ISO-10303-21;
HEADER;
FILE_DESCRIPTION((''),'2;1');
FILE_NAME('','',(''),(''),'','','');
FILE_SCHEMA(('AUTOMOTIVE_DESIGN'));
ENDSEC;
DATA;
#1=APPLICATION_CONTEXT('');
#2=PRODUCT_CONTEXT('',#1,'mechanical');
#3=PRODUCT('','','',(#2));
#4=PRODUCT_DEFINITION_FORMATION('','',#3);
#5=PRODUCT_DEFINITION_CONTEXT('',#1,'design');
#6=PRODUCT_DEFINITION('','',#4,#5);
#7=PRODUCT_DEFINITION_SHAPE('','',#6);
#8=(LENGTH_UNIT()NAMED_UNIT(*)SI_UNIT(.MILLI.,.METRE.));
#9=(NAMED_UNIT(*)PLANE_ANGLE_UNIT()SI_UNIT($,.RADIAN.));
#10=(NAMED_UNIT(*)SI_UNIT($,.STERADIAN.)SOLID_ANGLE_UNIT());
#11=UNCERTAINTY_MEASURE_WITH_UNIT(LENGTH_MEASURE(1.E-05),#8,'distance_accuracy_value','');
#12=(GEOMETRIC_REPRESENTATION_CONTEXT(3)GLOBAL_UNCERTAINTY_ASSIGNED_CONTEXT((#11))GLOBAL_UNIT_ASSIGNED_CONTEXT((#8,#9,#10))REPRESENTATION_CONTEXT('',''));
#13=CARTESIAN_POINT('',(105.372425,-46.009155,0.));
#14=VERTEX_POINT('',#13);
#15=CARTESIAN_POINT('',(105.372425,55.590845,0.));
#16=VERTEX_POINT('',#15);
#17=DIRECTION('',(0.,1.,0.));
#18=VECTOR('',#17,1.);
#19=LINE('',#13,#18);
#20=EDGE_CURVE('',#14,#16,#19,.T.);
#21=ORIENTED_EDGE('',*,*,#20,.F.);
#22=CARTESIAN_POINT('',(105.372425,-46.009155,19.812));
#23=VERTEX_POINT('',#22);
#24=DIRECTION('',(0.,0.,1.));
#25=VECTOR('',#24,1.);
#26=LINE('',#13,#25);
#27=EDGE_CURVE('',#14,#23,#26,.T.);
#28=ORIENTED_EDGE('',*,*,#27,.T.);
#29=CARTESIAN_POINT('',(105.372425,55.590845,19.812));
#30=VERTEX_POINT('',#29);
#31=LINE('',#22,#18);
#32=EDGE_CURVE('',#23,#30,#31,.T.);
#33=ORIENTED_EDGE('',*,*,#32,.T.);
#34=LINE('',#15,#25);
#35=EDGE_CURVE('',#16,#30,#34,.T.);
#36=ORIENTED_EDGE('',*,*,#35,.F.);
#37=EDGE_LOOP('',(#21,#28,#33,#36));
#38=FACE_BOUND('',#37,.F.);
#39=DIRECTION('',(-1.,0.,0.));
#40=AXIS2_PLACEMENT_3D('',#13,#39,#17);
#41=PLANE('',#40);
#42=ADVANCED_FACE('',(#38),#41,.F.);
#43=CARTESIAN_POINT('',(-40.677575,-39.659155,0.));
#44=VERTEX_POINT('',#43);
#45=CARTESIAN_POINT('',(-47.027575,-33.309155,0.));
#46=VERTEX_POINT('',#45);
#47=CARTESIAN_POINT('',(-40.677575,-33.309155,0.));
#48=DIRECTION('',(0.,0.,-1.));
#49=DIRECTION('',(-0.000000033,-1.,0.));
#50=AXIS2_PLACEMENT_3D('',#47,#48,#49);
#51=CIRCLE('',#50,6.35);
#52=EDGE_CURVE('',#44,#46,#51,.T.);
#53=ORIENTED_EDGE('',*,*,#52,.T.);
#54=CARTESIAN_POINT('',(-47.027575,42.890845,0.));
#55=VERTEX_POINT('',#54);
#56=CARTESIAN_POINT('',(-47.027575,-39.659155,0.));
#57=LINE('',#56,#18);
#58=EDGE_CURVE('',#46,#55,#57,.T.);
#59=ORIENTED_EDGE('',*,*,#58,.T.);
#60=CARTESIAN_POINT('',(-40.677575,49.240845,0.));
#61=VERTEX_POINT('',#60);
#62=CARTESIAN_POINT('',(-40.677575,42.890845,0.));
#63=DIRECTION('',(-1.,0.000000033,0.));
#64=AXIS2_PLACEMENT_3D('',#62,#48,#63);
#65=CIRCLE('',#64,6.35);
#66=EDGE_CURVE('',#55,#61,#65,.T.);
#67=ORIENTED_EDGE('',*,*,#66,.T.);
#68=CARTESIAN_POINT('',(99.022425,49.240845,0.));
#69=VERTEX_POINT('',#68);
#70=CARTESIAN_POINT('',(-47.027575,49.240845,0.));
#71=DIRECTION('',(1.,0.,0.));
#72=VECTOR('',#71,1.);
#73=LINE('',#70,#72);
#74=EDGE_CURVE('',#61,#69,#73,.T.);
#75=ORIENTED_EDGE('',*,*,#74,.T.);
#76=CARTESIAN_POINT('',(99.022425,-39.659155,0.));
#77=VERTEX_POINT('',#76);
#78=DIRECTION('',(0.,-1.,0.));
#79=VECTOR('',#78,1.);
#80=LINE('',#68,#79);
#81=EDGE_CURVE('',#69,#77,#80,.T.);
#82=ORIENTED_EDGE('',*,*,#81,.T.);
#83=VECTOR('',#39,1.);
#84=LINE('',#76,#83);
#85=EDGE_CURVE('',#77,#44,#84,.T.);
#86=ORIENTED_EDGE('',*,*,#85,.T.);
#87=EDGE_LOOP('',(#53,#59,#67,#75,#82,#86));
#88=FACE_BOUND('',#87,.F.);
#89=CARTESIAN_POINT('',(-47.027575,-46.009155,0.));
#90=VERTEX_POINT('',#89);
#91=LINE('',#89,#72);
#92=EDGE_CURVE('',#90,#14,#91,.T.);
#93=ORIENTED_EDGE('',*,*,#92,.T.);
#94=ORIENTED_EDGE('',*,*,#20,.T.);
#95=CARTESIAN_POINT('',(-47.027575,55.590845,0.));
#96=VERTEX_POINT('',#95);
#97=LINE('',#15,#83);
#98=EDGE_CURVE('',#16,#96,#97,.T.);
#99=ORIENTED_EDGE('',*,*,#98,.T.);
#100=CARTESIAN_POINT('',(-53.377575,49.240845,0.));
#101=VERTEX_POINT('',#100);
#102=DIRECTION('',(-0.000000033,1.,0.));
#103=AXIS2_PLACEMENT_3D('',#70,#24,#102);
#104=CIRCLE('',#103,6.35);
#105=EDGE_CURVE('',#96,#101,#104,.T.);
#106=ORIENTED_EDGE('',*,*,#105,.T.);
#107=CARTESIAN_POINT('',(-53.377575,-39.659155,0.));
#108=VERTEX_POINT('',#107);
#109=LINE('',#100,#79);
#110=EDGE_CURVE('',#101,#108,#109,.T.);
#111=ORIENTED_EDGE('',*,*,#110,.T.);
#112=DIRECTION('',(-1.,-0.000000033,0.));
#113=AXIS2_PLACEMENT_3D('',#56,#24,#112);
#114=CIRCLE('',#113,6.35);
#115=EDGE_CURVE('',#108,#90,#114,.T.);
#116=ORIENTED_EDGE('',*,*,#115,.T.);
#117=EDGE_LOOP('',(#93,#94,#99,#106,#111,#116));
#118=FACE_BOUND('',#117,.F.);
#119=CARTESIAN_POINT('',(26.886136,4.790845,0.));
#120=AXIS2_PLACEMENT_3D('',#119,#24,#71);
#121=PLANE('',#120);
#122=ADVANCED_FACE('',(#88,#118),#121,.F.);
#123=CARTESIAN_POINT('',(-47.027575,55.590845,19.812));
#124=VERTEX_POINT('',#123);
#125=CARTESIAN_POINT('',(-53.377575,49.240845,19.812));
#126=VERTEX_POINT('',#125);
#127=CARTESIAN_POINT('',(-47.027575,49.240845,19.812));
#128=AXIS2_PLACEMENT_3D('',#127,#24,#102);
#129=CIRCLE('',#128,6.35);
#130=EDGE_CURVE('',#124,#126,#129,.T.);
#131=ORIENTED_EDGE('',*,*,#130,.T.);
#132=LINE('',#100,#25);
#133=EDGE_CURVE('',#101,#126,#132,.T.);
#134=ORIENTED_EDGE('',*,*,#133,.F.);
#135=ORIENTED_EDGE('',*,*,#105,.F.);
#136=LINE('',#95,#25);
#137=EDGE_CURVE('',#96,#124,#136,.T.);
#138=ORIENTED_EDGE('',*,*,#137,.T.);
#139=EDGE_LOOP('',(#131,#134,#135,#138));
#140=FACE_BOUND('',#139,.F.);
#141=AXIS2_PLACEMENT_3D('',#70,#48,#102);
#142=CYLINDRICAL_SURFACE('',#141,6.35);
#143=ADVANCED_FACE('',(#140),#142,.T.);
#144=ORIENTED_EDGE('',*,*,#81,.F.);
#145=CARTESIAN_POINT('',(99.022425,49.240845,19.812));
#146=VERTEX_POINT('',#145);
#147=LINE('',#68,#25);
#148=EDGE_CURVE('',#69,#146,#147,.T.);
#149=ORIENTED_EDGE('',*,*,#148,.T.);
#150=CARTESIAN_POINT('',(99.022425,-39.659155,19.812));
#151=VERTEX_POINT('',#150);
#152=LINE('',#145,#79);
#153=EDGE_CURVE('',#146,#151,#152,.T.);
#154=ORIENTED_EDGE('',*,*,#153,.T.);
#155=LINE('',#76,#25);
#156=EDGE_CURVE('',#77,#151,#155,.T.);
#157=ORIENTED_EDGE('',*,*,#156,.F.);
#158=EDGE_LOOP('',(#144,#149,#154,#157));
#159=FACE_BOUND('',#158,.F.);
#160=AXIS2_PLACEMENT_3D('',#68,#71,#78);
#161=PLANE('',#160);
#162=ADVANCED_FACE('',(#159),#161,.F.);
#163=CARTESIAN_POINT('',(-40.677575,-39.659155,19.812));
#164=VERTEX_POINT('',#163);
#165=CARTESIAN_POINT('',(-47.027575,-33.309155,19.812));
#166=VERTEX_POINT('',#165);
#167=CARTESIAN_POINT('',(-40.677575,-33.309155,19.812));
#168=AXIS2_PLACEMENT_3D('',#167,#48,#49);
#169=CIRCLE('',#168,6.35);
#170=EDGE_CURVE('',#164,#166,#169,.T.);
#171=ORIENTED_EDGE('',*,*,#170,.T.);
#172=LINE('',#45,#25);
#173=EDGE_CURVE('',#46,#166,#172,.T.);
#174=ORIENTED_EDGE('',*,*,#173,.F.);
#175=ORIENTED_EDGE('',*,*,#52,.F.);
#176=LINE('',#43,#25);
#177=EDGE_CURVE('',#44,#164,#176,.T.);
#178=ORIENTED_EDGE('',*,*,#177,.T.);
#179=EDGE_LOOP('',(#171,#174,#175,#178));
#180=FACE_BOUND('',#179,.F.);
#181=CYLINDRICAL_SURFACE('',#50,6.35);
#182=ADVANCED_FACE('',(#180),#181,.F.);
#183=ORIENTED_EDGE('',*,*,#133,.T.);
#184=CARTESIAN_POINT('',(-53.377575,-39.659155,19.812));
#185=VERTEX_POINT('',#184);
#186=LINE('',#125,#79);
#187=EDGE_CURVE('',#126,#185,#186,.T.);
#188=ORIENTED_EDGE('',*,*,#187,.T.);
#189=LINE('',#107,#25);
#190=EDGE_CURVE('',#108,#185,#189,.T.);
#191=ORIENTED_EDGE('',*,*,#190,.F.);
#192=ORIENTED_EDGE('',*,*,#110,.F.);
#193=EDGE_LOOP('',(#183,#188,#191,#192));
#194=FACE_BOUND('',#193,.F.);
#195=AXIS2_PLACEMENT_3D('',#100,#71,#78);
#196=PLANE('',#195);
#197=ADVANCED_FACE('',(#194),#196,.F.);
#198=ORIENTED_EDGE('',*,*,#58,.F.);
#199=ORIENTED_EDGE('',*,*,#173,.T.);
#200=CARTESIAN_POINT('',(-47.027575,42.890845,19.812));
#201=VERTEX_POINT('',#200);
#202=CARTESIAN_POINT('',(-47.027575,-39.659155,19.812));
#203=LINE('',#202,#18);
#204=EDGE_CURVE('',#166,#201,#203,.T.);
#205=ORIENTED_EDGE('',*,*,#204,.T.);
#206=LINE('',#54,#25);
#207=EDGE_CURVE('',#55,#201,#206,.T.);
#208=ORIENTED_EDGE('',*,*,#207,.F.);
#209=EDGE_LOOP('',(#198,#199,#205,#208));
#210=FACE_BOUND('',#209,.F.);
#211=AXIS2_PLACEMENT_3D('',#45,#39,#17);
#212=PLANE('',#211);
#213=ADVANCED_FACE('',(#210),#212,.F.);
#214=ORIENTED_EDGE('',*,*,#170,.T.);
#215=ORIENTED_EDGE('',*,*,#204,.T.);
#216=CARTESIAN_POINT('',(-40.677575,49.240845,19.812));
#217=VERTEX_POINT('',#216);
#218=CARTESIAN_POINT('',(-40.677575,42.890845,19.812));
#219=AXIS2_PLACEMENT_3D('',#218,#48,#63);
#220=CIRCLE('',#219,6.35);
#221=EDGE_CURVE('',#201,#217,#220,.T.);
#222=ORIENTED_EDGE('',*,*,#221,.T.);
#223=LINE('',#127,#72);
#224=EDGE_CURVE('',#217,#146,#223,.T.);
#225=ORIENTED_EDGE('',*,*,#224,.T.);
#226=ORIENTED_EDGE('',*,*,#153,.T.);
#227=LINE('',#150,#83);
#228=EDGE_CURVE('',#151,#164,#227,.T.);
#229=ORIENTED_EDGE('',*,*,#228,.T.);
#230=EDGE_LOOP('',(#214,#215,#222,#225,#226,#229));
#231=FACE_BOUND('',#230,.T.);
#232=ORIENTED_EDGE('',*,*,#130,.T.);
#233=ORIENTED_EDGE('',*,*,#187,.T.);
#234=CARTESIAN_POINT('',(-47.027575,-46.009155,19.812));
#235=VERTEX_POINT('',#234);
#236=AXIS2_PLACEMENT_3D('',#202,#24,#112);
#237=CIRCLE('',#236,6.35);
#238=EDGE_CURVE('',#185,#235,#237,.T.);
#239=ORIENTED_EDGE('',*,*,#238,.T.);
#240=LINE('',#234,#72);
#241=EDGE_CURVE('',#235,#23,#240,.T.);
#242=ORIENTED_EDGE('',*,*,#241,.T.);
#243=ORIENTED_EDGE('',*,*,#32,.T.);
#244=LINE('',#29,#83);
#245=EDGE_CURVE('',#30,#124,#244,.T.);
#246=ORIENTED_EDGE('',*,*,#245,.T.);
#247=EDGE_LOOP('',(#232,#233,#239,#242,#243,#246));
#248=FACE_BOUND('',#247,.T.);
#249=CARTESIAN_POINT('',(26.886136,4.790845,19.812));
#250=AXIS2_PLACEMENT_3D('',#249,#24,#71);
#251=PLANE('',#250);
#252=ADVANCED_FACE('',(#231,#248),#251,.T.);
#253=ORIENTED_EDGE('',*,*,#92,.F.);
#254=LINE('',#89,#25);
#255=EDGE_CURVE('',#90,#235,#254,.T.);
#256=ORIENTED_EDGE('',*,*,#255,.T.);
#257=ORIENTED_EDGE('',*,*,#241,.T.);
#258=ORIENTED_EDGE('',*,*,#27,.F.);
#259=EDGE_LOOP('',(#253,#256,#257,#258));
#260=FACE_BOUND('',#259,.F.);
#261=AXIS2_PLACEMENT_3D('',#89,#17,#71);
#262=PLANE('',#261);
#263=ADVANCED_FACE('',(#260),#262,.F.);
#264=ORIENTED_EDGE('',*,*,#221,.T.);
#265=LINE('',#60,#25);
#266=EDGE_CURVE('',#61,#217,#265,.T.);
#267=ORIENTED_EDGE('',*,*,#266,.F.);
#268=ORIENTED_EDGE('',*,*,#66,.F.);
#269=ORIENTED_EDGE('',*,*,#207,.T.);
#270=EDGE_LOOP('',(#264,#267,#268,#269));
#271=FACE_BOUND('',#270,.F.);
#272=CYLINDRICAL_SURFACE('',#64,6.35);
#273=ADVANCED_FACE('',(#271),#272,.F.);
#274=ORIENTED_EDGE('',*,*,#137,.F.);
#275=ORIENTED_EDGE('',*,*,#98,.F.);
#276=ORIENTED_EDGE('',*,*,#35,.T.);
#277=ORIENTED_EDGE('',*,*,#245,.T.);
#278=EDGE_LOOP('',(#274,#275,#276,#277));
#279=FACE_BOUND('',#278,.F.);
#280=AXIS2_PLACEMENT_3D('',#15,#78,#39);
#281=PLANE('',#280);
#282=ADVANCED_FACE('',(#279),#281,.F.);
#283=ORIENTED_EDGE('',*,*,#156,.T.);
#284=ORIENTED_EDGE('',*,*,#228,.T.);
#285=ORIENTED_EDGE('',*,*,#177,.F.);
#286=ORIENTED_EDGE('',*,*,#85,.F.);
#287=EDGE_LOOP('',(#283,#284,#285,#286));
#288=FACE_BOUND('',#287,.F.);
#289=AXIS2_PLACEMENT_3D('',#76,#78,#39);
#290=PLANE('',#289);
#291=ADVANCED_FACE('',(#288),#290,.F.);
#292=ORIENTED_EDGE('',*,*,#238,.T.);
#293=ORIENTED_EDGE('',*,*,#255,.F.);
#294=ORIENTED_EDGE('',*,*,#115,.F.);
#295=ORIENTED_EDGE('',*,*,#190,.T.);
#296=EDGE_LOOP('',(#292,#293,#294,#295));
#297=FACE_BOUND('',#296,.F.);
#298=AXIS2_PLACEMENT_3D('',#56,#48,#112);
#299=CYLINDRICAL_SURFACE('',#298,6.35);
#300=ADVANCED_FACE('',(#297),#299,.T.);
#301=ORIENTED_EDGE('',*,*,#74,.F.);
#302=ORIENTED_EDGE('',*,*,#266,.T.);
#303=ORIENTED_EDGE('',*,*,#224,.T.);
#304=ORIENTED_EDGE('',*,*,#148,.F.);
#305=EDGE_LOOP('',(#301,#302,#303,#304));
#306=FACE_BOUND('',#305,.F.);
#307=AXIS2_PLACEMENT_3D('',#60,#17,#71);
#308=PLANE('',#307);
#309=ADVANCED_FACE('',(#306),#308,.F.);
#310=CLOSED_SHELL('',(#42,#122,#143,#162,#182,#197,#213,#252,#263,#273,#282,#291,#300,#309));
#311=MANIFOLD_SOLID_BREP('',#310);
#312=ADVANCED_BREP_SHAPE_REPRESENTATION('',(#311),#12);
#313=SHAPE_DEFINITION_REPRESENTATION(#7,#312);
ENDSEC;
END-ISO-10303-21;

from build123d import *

# Parameters (mm, degrees)
F1_DEPTH = 19.812


with BuildPart() as f1:
    # F0 (on Top) → F1 (new body)
    with BuildSketch(Plane.XY):
        with BuildLine():
            Line((105.372425, 55.590845), (-47.027575, 55.590845))
            ThreePointArc((-47.027575, 55.590845), (-51.517703, 53.730973), (-53.377575, 49.240845))
            Line((-53.377575, 49.240845), (-53.377575, -39.659155))
            ThreePointArc((-53.377575, -39.659155), (-51.517703, -44.149283), (-47.027575, -46.009155))
            Line((-47.027575, -46.009155), (105.372425, -46.009155))
            Line((105.372425, -46.009155), (105.372425, 55.590845))
        make_face()
        Polygon((-47.027575, 42.890845), (-47.027575, 49.240845), (-40.677575, 49.240845), (99.022425, 49.240845), (99.022425, -39.659155), (-40.677575, -39.659155), (-47.027575, -39.659155), (-47.027575, -33.309155), align=None, mode=Mode.SUBTRACT)
        with BuildLine():
            Line((-40.677575, 49.240845), (-47.027575, 49.240845))
            Line((-47.027575, 49.240845), (-47.027575, 42.890845))
            ThreePointArc((-47.027575, 42.890845), (-45.167703, 47.380973), (-40.677575, 49.240845))
        make_face()
        with BuildLine():
            ThreePointArc((-40.677575, -39.659155), (-45.167703, -37.799283), (-47.027575, -33.309155))
            Line((-47.027575, -33.309155), (-47.027575, -39.659155))
            Line((-47.027575, -39.659155), (-40.677575, -39.659155))
        make_face()
    extrude(amount=F1_DEPTH)


solid = f1.part
